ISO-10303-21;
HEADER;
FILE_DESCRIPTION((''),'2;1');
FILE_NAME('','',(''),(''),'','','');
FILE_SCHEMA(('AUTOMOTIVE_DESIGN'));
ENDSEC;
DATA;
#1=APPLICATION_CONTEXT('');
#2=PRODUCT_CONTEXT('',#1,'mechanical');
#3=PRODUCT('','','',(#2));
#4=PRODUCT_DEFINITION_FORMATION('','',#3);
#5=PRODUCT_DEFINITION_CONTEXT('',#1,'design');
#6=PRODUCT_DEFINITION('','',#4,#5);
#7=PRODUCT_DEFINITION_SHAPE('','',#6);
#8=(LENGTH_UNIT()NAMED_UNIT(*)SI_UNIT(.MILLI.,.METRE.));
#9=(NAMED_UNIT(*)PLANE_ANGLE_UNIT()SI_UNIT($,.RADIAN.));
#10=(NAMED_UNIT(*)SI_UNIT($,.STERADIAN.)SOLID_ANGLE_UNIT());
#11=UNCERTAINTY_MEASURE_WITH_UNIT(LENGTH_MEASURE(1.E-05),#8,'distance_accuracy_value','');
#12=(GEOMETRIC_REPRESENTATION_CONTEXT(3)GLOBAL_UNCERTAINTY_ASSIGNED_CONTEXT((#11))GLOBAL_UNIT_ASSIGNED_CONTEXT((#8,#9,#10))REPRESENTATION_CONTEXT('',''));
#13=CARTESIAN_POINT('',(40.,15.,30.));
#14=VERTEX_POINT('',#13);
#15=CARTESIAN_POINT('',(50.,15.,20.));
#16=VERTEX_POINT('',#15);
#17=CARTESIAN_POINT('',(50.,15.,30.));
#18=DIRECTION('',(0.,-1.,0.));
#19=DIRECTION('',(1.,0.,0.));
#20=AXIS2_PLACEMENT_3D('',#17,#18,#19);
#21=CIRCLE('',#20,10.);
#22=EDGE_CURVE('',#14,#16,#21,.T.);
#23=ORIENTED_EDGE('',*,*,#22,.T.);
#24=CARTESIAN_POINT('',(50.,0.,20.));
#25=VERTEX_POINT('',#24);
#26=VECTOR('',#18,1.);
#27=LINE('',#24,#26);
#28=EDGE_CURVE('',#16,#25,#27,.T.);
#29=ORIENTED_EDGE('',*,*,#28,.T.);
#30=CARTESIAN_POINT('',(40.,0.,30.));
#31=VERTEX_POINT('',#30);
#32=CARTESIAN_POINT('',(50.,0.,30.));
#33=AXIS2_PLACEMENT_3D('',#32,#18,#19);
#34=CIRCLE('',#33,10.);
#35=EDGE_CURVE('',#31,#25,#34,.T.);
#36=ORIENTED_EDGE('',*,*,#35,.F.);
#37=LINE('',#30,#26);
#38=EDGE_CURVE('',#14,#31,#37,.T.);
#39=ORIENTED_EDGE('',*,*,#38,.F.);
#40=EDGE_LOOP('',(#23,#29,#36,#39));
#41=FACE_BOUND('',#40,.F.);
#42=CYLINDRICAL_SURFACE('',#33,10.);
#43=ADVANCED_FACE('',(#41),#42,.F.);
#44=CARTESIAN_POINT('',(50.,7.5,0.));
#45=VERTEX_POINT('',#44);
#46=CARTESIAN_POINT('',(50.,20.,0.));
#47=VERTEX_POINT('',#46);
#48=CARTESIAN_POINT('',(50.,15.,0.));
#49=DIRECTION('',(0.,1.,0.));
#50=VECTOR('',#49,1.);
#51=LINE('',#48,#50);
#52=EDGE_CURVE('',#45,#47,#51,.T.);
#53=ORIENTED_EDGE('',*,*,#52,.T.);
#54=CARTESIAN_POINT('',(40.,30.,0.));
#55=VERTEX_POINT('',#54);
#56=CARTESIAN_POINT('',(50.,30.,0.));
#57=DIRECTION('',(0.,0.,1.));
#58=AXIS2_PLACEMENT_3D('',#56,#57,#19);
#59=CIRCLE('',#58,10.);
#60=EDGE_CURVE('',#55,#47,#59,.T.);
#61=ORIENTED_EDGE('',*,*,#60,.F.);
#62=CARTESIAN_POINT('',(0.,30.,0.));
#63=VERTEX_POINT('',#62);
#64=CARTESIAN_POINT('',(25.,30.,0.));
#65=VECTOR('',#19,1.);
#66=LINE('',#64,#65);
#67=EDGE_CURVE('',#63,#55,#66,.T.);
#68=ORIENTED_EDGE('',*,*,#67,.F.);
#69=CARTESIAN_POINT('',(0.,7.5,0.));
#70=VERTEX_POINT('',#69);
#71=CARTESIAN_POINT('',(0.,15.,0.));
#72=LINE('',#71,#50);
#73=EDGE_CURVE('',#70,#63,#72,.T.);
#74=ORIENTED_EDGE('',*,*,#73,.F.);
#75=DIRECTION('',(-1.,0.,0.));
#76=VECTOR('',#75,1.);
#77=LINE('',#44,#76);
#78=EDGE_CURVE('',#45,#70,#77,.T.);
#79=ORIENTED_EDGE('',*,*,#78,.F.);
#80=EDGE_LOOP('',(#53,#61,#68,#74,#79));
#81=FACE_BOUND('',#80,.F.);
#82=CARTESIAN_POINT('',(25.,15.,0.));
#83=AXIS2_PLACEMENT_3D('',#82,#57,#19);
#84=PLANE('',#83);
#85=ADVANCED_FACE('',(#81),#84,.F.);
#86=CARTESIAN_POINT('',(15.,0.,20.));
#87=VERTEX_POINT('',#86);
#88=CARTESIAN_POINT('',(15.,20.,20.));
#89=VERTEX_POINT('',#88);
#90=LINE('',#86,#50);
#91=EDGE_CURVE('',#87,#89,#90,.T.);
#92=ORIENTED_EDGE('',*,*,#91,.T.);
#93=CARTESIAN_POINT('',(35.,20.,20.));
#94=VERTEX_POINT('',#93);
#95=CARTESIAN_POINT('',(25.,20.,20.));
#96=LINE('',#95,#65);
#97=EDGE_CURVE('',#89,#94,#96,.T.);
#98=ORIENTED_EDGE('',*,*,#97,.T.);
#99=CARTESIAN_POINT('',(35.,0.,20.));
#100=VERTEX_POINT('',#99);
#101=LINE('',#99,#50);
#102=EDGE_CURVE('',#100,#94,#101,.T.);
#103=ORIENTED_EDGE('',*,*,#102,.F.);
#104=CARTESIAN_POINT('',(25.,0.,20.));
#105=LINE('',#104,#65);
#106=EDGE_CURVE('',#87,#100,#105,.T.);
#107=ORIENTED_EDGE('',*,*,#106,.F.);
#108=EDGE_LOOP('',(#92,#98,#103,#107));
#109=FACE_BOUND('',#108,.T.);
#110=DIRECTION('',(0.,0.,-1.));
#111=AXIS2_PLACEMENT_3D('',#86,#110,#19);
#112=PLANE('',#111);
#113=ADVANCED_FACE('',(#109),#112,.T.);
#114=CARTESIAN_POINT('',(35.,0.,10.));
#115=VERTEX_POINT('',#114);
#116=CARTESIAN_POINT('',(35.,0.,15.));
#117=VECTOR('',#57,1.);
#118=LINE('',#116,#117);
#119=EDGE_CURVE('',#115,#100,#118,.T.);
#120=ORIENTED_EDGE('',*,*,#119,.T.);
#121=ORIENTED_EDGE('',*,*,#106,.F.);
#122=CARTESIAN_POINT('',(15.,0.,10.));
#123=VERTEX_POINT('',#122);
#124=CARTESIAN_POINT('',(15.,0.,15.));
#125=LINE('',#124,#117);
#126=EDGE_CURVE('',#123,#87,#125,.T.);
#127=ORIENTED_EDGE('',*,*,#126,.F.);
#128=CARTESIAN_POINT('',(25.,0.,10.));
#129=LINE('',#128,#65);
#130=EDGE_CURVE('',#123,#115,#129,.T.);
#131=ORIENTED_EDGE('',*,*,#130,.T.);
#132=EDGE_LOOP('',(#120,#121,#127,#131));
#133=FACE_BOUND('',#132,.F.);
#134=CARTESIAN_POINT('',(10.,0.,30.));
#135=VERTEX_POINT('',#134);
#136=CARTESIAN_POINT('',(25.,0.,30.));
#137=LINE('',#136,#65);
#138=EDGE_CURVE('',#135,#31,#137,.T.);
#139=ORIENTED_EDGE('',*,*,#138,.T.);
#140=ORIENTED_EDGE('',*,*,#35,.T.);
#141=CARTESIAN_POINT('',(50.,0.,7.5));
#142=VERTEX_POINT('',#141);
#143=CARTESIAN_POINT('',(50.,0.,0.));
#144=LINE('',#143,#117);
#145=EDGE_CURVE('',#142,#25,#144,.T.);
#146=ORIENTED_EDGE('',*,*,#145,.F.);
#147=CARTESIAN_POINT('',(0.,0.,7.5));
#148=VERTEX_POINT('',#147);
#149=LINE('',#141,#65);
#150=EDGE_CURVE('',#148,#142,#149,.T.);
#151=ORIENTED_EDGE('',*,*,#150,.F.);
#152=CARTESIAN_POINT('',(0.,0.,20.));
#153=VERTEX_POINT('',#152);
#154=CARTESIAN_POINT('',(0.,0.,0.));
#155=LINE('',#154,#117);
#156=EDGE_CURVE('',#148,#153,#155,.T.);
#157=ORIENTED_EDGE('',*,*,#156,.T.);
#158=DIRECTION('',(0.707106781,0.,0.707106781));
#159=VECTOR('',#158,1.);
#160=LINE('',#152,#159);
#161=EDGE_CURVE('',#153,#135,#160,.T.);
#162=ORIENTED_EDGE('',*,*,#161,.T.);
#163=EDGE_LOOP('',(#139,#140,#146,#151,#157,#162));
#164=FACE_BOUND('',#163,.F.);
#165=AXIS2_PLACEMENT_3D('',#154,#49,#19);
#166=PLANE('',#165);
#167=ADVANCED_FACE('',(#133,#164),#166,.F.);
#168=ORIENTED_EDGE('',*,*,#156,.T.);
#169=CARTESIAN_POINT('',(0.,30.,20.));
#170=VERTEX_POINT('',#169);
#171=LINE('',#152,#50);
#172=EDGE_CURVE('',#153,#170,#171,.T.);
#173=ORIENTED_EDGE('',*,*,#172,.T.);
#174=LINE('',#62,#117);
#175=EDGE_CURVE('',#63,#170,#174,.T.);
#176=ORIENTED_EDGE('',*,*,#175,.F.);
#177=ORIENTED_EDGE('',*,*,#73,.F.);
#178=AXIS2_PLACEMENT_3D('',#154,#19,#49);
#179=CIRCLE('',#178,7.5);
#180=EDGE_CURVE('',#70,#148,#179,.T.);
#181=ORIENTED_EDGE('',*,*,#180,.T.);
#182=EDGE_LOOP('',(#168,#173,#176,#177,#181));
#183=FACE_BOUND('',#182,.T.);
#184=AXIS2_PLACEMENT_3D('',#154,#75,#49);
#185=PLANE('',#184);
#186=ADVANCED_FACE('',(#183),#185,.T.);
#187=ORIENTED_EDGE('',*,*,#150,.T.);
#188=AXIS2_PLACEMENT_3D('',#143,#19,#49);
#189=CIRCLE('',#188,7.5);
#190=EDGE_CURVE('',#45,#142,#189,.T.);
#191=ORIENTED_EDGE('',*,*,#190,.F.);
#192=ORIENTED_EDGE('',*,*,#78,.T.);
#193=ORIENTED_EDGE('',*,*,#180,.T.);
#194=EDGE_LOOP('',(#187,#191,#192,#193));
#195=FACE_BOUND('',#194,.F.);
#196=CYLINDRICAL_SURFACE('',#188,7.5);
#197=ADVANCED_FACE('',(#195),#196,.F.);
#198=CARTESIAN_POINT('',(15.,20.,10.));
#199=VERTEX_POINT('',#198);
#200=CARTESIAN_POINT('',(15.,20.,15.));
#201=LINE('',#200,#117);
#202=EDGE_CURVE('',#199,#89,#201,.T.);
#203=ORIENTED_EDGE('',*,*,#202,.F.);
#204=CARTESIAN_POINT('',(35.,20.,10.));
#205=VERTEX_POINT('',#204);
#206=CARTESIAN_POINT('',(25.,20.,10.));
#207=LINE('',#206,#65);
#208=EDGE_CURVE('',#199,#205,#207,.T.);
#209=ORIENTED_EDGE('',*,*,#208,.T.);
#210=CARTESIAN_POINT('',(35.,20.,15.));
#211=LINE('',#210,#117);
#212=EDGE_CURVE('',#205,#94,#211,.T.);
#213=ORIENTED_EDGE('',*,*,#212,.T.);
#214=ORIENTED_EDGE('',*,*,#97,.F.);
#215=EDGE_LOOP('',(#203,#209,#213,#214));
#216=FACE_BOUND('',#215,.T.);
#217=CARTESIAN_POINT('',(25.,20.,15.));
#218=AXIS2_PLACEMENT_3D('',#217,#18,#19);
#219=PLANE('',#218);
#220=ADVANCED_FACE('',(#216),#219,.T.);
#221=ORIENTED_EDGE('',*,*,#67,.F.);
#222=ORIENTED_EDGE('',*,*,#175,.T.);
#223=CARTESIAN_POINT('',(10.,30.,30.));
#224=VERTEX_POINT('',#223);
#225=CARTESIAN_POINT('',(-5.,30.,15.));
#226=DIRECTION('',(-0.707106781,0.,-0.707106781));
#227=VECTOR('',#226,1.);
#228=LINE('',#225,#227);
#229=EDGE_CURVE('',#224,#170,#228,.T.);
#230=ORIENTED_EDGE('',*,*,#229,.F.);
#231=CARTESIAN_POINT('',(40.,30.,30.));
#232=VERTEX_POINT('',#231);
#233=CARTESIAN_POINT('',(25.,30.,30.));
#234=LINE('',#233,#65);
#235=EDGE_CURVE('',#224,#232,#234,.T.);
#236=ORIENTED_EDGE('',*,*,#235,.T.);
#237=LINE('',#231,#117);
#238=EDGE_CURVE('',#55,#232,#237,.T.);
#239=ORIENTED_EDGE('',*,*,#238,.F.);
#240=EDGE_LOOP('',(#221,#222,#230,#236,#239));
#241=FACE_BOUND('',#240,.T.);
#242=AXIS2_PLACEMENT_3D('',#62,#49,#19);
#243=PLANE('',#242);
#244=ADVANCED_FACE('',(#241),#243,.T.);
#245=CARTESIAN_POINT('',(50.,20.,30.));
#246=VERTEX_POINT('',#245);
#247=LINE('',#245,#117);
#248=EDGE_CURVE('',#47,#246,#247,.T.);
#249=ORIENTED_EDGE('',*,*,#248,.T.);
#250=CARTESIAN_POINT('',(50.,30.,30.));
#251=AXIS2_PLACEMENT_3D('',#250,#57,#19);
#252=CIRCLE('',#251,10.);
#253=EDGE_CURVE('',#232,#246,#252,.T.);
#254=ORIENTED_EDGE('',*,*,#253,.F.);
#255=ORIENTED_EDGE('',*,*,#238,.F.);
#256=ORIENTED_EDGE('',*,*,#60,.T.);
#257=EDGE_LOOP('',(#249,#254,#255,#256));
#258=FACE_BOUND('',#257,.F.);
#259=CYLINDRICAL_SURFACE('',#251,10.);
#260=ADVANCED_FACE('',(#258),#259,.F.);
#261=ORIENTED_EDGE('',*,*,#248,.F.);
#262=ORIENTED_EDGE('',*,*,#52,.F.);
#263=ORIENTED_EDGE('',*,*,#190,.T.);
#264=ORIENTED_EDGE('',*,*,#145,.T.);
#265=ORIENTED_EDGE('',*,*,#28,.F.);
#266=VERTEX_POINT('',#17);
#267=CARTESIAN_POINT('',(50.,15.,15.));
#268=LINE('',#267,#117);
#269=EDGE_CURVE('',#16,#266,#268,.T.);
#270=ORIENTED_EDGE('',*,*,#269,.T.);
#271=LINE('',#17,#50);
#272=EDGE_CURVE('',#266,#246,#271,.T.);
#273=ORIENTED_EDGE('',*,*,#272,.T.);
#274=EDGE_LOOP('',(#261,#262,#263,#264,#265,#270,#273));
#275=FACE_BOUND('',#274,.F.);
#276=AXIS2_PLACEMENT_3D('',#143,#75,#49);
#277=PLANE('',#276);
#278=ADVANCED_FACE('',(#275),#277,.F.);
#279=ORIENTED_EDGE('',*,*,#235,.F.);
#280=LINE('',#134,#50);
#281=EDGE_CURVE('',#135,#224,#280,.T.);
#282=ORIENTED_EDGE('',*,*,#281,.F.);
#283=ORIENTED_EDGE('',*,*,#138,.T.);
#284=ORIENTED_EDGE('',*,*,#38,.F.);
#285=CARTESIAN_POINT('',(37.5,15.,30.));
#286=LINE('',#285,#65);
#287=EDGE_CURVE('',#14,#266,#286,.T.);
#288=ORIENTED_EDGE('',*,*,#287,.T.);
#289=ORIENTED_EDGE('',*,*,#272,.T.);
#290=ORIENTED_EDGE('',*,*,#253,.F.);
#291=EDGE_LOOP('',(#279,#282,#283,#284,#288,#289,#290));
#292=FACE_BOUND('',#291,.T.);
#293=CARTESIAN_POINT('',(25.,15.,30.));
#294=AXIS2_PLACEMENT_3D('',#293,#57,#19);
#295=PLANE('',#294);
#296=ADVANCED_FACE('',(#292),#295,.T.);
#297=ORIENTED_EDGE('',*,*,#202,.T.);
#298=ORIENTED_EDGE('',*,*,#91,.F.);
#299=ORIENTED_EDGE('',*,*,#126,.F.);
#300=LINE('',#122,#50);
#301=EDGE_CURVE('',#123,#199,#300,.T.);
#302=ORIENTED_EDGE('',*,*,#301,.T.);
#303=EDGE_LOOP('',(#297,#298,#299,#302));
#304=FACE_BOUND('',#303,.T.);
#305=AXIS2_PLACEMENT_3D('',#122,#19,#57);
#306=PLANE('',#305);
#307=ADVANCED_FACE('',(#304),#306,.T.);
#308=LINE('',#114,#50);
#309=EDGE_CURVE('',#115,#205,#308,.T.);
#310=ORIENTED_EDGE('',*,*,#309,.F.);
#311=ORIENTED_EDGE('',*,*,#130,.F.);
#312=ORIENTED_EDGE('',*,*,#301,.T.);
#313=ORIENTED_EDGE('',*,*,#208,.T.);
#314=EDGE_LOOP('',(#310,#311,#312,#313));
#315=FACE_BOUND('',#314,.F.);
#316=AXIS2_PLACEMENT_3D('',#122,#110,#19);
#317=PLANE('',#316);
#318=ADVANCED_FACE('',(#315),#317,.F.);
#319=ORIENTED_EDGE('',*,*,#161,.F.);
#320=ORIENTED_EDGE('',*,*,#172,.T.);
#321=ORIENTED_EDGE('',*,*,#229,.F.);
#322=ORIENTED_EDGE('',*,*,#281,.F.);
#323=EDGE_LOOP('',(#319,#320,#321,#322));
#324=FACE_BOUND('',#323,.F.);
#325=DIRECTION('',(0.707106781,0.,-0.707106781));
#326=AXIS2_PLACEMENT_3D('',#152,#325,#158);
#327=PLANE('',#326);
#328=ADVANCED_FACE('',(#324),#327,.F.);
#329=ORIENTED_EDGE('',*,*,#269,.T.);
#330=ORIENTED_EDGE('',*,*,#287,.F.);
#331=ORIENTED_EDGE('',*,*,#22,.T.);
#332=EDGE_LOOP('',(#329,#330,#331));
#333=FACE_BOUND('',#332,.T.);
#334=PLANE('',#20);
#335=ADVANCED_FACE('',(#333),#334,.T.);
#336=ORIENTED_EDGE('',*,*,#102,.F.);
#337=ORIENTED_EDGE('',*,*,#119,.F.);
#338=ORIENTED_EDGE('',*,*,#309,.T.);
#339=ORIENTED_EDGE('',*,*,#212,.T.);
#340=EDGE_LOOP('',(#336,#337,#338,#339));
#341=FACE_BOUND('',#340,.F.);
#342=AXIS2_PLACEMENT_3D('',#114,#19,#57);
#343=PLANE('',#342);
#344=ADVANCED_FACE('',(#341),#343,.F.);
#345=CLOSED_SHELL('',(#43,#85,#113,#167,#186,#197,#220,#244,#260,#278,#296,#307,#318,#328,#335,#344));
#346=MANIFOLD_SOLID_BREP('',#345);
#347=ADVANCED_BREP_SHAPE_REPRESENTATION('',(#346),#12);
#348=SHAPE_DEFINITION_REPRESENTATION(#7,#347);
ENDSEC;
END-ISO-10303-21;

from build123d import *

# Parameters (mm, degrees)
F0_W      = 50
F0_H      = 30
F1_DEPTH  = 30
F3_DEPTH  = 30.001
F4_R      = 10
F5_DEPTH  = 15
F6_W      = 20
F6_H      = 10
F7_DEPTH  = 20
F8_R      = 7.5
F9_DEPTH  = 50.001
F10_R     = 10
F11_DEPTH = 30.001


with BuildPart() as f1:
    # F0 (on Top) → F1 (new body)
    with BuildSketch(Plane.XY):
        with Locations((25, 15)):
            Rectangle(F0_W, F0_H)
    extrude(amount=F1_DEPTH)

    # F2 (on face) → F3 (cut, through all)
    with BuildSketch(Plane.XZ):
        Polygon((10, 30), (0, 30), (0, 20), align=None)
    extrude(amount=-F3_DEPTH, mode=Mode.SUBTRACT)

    # F4 (on face) → F5 (cut)
    with BuildSketch(Plane.XZ):
        with Locations((50, 30)):
            Circle(F4_R)
    extrude(amount=-F5_DEPTH, mode=Mode.SUBTRACT)

    # F6 (on face) → F7 (cut)
    with BuildSketch(Plane.XZ):
        with Locations((25, 15)):
            Rectangle(F6_W, F6_H)
    extrude(amount=-F7_DEPTH, mode=Mode.SUBTRACT)

    # F8 (on face) → F9 (cut, through all)
    with BuildSketch(Plane.YZ.offset(50)):
        Circle(F8_R)
    extrude(amount=-F9_DEPTH, mode=Mode.SUBTRACT)

    # F10 (on face) → F11 (cut, through all)
    with BuildSketch(Plane.XY.offset(30)):
        with Locations((50, 30)):
            Circle(F10_R)
    extrude(amount=-F11_DEPTH, mode=Mode.SUBTRACT)


solid = f1.part
